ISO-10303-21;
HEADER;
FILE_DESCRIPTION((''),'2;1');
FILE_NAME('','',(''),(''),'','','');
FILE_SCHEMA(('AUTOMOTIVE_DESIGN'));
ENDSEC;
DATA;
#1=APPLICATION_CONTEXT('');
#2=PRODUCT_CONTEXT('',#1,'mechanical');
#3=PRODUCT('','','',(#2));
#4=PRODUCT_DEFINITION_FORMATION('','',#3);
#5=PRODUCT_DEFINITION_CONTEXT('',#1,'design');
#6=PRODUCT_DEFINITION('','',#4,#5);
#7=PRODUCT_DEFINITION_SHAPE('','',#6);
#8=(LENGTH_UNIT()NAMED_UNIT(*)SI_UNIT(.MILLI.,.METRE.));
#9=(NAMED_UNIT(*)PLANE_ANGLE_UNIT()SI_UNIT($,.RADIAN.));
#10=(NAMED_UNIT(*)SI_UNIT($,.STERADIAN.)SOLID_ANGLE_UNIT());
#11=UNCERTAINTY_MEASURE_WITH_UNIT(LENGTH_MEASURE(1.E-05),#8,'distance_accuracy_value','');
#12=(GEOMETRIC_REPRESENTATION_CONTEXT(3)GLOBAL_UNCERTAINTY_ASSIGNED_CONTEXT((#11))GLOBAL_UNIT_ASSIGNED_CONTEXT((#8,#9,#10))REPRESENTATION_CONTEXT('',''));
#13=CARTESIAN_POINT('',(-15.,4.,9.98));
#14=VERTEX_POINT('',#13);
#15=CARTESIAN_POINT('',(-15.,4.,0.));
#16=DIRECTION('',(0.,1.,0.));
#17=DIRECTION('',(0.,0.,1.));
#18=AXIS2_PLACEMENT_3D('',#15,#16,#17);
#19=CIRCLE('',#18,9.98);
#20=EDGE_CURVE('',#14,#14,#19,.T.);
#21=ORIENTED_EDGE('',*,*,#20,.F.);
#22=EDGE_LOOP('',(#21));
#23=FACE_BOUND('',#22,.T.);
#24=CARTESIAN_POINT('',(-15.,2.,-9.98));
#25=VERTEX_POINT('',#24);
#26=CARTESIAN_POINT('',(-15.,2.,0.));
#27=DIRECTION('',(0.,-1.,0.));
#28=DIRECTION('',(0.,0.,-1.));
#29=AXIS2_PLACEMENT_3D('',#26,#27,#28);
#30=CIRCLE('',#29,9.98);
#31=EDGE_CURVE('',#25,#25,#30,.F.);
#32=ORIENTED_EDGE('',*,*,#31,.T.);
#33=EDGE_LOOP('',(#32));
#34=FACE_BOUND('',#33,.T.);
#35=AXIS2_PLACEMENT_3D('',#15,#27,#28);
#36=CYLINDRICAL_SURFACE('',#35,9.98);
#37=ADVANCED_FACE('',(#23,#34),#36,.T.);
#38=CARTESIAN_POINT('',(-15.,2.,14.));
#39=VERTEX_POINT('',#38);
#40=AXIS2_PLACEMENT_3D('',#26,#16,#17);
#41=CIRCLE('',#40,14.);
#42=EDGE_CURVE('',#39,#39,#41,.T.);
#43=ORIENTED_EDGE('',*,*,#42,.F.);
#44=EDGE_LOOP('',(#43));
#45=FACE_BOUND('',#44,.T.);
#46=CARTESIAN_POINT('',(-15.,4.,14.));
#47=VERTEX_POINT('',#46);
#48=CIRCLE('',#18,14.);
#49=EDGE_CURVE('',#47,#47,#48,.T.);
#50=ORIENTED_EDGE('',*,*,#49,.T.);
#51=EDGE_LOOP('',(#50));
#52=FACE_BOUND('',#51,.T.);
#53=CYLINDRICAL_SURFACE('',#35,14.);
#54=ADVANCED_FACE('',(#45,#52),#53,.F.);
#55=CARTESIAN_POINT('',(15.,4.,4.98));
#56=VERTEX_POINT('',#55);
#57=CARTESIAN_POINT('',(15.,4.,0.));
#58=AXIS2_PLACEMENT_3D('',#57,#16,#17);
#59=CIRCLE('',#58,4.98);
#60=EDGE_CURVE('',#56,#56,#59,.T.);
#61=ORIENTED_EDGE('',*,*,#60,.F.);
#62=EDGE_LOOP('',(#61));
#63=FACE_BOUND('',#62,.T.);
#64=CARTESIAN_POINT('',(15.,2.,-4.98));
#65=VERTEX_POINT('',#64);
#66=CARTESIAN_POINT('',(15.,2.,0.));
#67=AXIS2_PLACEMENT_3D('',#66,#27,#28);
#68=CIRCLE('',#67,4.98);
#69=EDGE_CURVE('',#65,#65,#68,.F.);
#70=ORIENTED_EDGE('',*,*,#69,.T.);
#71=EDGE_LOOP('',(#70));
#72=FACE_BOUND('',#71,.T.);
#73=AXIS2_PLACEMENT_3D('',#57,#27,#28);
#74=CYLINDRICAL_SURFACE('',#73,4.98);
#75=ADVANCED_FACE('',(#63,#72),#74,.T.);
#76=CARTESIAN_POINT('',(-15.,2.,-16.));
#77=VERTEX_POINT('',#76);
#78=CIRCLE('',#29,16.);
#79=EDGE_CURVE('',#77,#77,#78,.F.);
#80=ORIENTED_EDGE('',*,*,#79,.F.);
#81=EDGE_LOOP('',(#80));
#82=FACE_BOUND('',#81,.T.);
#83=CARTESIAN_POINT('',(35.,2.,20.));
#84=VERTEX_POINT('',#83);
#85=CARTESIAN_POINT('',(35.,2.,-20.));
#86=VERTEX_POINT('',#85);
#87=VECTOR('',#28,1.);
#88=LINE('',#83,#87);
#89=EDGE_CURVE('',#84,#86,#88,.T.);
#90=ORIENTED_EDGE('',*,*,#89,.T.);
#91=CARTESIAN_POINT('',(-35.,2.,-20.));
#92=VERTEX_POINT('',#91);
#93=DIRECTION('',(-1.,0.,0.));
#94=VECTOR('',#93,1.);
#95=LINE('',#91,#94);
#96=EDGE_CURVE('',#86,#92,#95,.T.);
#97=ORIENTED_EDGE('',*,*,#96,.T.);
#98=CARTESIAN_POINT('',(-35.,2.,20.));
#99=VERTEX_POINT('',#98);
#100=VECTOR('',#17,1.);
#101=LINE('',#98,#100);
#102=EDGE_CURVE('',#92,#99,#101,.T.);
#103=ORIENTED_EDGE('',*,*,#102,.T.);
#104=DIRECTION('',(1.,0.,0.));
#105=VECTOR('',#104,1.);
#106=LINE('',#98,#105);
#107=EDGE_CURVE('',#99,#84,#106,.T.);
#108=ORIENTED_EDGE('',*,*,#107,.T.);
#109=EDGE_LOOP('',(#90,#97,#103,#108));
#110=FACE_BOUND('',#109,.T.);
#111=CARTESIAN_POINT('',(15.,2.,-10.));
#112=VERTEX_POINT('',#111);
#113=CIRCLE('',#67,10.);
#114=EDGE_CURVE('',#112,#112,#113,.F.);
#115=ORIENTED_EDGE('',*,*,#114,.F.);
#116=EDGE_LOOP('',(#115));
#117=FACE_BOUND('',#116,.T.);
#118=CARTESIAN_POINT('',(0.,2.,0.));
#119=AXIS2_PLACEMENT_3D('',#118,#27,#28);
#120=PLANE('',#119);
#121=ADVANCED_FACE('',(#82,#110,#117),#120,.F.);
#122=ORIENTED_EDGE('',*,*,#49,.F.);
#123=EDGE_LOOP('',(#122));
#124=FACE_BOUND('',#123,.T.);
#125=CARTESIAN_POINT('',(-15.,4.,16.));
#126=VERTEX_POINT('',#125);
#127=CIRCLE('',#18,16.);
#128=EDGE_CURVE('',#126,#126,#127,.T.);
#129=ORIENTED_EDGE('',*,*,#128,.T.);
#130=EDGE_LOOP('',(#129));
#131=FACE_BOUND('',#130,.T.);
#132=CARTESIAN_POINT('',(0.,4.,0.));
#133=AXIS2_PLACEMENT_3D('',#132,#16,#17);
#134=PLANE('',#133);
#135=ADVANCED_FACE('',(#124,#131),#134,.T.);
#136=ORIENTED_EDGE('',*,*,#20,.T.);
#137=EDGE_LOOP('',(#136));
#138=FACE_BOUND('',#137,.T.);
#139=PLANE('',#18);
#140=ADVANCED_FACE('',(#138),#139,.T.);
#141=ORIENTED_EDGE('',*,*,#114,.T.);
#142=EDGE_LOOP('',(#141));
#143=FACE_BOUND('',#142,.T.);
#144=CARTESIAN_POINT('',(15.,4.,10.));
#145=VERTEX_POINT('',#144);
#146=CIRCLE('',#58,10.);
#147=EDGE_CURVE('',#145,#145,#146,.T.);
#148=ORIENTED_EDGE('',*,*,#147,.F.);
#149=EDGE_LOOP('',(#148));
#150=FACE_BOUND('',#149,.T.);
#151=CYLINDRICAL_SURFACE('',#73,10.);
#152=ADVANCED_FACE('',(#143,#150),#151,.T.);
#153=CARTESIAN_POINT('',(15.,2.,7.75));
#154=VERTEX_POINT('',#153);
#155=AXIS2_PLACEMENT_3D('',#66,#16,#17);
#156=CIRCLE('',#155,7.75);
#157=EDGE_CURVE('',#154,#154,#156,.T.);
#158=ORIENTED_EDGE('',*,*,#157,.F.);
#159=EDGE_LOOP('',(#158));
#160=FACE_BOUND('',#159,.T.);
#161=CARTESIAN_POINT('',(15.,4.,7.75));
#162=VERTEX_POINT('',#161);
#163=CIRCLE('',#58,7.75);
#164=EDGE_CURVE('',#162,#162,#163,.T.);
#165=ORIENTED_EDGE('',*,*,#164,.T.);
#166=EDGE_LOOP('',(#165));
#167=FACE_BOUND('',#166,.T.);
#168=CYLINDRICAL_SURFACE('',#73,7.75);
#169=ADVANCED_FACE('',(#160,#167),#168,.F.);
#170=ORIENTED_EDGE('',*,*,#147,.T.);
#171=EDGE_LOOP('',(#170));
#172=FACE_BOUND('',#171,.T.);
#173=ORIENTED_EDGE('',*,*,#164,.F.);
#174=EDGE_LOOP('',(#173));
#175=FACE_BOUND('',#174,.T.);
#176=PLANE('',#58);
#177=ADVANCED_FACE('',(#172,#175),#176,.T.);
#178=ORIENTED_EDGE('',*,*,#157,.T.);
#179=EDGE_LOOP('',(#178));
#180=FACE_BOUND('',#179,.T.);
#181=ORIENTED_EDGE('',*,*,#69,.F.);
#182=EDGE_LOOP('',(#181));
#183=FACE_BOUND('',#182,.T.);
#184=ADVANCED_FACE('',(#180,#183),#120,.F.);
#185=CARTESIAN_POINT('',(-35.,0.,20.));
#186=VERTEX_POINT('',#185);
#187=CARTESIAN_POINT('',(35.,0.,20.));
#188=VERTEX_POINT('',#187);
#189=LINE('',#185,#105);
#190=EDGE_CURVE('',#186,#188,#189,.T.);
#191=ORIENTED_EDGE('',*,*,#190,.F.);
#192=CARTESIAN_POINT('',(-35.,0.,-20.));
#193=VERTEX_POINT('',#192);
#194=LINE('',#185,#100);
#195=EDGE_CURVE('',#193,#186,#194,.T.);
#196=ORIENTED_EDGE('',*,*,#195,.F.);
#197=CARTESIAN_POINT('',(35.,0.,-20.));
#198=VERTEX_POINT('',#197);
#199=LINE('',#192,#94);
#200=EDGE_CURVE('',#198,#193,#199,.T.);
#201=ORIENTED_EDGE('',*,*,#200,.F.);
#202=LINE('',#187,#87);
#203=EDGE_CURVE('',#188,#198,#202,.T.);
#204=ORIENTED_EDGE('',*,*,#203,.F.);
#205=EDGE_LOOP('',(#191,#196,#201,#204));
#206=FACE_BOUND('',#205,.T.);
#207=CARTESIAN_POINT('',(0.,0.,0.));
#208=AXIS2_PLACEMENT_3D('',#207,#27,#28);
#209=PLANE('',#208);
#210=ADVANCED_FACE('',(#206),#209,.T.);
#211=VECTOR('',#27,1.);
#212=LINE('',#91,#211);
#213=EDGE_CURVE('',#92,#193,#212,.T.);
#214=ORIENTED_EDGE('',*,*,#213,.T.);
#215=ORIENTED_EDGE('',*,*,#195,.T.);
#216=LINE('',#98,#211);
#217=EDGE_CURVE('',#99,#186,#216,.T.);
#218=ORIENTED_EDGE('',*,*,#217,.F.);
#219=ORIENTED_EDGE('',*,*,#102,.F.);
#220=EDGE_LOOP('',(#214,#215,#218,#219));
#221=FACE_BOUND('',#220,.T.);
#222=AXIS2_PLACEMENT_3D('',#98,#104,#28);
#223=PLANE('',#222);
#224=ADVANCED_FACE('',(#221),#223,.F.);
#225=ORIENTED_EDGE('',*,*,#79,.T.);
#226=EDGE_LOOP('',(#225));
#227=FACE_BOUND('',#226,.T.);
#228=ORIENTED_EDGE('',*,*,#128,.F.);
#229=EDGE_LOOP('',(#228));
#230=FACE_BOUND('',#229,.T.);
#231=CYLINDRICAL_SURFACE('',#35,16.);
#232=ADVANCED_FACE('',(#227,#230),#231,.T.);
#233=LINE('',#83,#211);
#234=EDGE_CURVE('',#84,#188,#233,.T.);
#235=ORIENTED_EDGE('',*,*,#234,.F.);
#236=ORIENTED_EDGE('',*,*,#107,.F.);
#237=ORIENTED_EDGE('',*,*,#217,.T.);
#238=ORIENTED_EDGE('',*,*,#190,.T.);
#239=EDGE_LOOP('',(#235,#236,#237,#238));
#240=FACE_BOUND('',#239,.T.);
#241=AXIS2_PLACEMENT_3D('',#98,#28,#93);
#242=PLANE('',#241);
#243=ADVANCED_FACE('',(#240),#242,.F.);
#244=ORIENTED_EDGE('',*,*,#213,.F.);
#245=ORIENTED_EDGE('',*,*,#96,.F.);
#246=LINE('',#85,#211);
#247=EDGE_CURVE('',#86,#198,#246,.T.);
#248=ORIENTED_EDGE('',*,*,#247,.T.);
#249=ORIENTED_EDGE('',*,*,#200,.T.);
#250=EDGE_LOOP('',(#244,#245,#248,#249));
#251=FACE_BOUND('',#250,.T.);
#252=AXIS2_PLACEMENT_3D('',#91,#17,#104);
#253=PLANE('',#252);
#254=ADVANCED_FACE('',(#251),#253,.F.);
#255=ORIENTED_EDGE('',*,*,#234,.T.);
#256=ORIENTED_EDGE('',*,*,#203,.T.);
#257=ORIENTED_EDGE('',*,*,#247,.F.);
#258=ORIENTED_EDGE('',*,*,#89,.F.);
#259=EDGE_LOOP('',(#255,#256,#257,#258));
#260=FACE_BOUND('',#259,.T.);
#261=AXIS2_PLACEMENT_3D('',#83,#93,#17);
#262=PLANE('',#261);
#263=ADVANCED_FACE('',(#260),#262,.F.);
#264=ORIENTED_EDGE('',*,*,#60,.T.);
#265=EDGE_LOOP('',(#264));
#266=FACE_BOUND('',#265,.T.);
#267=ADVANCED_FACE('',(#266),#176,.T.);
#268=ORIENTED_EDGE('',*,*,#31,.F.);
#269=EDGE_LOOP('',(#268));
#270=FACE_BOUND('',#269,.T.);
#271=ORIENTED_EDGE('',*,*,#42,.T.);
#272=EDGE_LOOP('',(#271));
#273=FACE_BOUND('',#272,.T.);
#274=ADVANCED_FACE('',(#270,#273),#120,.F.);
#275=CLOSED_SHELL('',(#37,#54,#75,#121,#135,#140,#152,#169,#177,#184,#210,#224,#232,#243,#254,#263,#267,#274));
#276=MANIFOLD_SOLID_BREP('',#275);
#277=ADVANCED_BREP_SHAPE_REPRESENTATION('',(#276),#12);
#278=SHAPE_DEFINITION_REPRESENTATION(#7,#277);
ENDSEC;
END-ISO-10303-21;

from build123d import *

# Parameters (mm, degrees)
CROQUIS1_W              = 70
CROQUIS1_H              = 40
SALIENTE_EXTRUIR1_DEPTH = 2
CROQUIS2_R              = 16
CROQUIS2_R_2            = 14
CROQUIS2_R_3            = 9.98
CROQUIS2_R_4            = 10
CROQUIS2_R_5            = 7.75
CROQUIS2_R_6            = 4.98
SALIENTE_EXTRUIR2_DEPTH = 2


with BuildPart() as part:
    # Croquis1 → Saliente-Extruir1 (new body)
    with BuildSketch(Plane(origin=(0, 0, 0), x_dir=(1, 0, 0), z_dir=(0, 1, 0))):
        Rectangle(CROQUIS1_W, CROQUIS1_H)
    extrude(amount=SALIENTE_EXTRUIR1_DEPTH)

    # Croquis2 → Saliente-Extruir2 (add)
    # profile 1 of 4: a face of its own
    with BuildSketch(Plane(origin=(0, 2, 0), x_dir=(1, 0, 0), z_dir=(0, 1, 0))):
        with Locations(Location((-15, 0, 0), (0, 0, 90))):
            Circle(CROQUIS2_R)
        with Locations(Location((-15, 0, 0), (0, 0, 270))):
            Circle(CROQUIS2_R_2, mode=Mode.SUBTRACT)
    # profile 2 of 4: a face of its own
    with BuildSketch(Plane(origin=(0, 2, 0), x_dir=(1, 0, 0), z_dir=(0, 1, 0))):
        with Locations(Location((-15, 0, 0), (0, 0, 90))):
            Circle(CROQUIS2_R_3)
    # profile 3 of 4: a face of its own
    with BuildSketch(Plane(origin=(0, 2, 0), x_dir=(1, 0, 0), z_dir=(0, 1, 0))):
        with Locations(Location((15, 0, 0), (0, 0, 90))):
            Circle(CROQUIS2_R_4)
        with Locations(Location((15, 0, 0), (0, 0, 270))):
            Circle(CROQUIS2_R_5, mode=Mode.SUBTRACT)
    # profile 4 of 4: a face of its own
    with BuildSketch(Plane(origin=(0, 2, 0), x_dir=(1, 0, 0), z_dir=(0, 1, 0))):
        with Locations(Location((15, 0, 0), (0, 0, 90))):
            Circle(CROQUIS2_R_6)
    extrude(amount=SALIENTE_EXTRUIR2_DEPTH)


solid = part.part
